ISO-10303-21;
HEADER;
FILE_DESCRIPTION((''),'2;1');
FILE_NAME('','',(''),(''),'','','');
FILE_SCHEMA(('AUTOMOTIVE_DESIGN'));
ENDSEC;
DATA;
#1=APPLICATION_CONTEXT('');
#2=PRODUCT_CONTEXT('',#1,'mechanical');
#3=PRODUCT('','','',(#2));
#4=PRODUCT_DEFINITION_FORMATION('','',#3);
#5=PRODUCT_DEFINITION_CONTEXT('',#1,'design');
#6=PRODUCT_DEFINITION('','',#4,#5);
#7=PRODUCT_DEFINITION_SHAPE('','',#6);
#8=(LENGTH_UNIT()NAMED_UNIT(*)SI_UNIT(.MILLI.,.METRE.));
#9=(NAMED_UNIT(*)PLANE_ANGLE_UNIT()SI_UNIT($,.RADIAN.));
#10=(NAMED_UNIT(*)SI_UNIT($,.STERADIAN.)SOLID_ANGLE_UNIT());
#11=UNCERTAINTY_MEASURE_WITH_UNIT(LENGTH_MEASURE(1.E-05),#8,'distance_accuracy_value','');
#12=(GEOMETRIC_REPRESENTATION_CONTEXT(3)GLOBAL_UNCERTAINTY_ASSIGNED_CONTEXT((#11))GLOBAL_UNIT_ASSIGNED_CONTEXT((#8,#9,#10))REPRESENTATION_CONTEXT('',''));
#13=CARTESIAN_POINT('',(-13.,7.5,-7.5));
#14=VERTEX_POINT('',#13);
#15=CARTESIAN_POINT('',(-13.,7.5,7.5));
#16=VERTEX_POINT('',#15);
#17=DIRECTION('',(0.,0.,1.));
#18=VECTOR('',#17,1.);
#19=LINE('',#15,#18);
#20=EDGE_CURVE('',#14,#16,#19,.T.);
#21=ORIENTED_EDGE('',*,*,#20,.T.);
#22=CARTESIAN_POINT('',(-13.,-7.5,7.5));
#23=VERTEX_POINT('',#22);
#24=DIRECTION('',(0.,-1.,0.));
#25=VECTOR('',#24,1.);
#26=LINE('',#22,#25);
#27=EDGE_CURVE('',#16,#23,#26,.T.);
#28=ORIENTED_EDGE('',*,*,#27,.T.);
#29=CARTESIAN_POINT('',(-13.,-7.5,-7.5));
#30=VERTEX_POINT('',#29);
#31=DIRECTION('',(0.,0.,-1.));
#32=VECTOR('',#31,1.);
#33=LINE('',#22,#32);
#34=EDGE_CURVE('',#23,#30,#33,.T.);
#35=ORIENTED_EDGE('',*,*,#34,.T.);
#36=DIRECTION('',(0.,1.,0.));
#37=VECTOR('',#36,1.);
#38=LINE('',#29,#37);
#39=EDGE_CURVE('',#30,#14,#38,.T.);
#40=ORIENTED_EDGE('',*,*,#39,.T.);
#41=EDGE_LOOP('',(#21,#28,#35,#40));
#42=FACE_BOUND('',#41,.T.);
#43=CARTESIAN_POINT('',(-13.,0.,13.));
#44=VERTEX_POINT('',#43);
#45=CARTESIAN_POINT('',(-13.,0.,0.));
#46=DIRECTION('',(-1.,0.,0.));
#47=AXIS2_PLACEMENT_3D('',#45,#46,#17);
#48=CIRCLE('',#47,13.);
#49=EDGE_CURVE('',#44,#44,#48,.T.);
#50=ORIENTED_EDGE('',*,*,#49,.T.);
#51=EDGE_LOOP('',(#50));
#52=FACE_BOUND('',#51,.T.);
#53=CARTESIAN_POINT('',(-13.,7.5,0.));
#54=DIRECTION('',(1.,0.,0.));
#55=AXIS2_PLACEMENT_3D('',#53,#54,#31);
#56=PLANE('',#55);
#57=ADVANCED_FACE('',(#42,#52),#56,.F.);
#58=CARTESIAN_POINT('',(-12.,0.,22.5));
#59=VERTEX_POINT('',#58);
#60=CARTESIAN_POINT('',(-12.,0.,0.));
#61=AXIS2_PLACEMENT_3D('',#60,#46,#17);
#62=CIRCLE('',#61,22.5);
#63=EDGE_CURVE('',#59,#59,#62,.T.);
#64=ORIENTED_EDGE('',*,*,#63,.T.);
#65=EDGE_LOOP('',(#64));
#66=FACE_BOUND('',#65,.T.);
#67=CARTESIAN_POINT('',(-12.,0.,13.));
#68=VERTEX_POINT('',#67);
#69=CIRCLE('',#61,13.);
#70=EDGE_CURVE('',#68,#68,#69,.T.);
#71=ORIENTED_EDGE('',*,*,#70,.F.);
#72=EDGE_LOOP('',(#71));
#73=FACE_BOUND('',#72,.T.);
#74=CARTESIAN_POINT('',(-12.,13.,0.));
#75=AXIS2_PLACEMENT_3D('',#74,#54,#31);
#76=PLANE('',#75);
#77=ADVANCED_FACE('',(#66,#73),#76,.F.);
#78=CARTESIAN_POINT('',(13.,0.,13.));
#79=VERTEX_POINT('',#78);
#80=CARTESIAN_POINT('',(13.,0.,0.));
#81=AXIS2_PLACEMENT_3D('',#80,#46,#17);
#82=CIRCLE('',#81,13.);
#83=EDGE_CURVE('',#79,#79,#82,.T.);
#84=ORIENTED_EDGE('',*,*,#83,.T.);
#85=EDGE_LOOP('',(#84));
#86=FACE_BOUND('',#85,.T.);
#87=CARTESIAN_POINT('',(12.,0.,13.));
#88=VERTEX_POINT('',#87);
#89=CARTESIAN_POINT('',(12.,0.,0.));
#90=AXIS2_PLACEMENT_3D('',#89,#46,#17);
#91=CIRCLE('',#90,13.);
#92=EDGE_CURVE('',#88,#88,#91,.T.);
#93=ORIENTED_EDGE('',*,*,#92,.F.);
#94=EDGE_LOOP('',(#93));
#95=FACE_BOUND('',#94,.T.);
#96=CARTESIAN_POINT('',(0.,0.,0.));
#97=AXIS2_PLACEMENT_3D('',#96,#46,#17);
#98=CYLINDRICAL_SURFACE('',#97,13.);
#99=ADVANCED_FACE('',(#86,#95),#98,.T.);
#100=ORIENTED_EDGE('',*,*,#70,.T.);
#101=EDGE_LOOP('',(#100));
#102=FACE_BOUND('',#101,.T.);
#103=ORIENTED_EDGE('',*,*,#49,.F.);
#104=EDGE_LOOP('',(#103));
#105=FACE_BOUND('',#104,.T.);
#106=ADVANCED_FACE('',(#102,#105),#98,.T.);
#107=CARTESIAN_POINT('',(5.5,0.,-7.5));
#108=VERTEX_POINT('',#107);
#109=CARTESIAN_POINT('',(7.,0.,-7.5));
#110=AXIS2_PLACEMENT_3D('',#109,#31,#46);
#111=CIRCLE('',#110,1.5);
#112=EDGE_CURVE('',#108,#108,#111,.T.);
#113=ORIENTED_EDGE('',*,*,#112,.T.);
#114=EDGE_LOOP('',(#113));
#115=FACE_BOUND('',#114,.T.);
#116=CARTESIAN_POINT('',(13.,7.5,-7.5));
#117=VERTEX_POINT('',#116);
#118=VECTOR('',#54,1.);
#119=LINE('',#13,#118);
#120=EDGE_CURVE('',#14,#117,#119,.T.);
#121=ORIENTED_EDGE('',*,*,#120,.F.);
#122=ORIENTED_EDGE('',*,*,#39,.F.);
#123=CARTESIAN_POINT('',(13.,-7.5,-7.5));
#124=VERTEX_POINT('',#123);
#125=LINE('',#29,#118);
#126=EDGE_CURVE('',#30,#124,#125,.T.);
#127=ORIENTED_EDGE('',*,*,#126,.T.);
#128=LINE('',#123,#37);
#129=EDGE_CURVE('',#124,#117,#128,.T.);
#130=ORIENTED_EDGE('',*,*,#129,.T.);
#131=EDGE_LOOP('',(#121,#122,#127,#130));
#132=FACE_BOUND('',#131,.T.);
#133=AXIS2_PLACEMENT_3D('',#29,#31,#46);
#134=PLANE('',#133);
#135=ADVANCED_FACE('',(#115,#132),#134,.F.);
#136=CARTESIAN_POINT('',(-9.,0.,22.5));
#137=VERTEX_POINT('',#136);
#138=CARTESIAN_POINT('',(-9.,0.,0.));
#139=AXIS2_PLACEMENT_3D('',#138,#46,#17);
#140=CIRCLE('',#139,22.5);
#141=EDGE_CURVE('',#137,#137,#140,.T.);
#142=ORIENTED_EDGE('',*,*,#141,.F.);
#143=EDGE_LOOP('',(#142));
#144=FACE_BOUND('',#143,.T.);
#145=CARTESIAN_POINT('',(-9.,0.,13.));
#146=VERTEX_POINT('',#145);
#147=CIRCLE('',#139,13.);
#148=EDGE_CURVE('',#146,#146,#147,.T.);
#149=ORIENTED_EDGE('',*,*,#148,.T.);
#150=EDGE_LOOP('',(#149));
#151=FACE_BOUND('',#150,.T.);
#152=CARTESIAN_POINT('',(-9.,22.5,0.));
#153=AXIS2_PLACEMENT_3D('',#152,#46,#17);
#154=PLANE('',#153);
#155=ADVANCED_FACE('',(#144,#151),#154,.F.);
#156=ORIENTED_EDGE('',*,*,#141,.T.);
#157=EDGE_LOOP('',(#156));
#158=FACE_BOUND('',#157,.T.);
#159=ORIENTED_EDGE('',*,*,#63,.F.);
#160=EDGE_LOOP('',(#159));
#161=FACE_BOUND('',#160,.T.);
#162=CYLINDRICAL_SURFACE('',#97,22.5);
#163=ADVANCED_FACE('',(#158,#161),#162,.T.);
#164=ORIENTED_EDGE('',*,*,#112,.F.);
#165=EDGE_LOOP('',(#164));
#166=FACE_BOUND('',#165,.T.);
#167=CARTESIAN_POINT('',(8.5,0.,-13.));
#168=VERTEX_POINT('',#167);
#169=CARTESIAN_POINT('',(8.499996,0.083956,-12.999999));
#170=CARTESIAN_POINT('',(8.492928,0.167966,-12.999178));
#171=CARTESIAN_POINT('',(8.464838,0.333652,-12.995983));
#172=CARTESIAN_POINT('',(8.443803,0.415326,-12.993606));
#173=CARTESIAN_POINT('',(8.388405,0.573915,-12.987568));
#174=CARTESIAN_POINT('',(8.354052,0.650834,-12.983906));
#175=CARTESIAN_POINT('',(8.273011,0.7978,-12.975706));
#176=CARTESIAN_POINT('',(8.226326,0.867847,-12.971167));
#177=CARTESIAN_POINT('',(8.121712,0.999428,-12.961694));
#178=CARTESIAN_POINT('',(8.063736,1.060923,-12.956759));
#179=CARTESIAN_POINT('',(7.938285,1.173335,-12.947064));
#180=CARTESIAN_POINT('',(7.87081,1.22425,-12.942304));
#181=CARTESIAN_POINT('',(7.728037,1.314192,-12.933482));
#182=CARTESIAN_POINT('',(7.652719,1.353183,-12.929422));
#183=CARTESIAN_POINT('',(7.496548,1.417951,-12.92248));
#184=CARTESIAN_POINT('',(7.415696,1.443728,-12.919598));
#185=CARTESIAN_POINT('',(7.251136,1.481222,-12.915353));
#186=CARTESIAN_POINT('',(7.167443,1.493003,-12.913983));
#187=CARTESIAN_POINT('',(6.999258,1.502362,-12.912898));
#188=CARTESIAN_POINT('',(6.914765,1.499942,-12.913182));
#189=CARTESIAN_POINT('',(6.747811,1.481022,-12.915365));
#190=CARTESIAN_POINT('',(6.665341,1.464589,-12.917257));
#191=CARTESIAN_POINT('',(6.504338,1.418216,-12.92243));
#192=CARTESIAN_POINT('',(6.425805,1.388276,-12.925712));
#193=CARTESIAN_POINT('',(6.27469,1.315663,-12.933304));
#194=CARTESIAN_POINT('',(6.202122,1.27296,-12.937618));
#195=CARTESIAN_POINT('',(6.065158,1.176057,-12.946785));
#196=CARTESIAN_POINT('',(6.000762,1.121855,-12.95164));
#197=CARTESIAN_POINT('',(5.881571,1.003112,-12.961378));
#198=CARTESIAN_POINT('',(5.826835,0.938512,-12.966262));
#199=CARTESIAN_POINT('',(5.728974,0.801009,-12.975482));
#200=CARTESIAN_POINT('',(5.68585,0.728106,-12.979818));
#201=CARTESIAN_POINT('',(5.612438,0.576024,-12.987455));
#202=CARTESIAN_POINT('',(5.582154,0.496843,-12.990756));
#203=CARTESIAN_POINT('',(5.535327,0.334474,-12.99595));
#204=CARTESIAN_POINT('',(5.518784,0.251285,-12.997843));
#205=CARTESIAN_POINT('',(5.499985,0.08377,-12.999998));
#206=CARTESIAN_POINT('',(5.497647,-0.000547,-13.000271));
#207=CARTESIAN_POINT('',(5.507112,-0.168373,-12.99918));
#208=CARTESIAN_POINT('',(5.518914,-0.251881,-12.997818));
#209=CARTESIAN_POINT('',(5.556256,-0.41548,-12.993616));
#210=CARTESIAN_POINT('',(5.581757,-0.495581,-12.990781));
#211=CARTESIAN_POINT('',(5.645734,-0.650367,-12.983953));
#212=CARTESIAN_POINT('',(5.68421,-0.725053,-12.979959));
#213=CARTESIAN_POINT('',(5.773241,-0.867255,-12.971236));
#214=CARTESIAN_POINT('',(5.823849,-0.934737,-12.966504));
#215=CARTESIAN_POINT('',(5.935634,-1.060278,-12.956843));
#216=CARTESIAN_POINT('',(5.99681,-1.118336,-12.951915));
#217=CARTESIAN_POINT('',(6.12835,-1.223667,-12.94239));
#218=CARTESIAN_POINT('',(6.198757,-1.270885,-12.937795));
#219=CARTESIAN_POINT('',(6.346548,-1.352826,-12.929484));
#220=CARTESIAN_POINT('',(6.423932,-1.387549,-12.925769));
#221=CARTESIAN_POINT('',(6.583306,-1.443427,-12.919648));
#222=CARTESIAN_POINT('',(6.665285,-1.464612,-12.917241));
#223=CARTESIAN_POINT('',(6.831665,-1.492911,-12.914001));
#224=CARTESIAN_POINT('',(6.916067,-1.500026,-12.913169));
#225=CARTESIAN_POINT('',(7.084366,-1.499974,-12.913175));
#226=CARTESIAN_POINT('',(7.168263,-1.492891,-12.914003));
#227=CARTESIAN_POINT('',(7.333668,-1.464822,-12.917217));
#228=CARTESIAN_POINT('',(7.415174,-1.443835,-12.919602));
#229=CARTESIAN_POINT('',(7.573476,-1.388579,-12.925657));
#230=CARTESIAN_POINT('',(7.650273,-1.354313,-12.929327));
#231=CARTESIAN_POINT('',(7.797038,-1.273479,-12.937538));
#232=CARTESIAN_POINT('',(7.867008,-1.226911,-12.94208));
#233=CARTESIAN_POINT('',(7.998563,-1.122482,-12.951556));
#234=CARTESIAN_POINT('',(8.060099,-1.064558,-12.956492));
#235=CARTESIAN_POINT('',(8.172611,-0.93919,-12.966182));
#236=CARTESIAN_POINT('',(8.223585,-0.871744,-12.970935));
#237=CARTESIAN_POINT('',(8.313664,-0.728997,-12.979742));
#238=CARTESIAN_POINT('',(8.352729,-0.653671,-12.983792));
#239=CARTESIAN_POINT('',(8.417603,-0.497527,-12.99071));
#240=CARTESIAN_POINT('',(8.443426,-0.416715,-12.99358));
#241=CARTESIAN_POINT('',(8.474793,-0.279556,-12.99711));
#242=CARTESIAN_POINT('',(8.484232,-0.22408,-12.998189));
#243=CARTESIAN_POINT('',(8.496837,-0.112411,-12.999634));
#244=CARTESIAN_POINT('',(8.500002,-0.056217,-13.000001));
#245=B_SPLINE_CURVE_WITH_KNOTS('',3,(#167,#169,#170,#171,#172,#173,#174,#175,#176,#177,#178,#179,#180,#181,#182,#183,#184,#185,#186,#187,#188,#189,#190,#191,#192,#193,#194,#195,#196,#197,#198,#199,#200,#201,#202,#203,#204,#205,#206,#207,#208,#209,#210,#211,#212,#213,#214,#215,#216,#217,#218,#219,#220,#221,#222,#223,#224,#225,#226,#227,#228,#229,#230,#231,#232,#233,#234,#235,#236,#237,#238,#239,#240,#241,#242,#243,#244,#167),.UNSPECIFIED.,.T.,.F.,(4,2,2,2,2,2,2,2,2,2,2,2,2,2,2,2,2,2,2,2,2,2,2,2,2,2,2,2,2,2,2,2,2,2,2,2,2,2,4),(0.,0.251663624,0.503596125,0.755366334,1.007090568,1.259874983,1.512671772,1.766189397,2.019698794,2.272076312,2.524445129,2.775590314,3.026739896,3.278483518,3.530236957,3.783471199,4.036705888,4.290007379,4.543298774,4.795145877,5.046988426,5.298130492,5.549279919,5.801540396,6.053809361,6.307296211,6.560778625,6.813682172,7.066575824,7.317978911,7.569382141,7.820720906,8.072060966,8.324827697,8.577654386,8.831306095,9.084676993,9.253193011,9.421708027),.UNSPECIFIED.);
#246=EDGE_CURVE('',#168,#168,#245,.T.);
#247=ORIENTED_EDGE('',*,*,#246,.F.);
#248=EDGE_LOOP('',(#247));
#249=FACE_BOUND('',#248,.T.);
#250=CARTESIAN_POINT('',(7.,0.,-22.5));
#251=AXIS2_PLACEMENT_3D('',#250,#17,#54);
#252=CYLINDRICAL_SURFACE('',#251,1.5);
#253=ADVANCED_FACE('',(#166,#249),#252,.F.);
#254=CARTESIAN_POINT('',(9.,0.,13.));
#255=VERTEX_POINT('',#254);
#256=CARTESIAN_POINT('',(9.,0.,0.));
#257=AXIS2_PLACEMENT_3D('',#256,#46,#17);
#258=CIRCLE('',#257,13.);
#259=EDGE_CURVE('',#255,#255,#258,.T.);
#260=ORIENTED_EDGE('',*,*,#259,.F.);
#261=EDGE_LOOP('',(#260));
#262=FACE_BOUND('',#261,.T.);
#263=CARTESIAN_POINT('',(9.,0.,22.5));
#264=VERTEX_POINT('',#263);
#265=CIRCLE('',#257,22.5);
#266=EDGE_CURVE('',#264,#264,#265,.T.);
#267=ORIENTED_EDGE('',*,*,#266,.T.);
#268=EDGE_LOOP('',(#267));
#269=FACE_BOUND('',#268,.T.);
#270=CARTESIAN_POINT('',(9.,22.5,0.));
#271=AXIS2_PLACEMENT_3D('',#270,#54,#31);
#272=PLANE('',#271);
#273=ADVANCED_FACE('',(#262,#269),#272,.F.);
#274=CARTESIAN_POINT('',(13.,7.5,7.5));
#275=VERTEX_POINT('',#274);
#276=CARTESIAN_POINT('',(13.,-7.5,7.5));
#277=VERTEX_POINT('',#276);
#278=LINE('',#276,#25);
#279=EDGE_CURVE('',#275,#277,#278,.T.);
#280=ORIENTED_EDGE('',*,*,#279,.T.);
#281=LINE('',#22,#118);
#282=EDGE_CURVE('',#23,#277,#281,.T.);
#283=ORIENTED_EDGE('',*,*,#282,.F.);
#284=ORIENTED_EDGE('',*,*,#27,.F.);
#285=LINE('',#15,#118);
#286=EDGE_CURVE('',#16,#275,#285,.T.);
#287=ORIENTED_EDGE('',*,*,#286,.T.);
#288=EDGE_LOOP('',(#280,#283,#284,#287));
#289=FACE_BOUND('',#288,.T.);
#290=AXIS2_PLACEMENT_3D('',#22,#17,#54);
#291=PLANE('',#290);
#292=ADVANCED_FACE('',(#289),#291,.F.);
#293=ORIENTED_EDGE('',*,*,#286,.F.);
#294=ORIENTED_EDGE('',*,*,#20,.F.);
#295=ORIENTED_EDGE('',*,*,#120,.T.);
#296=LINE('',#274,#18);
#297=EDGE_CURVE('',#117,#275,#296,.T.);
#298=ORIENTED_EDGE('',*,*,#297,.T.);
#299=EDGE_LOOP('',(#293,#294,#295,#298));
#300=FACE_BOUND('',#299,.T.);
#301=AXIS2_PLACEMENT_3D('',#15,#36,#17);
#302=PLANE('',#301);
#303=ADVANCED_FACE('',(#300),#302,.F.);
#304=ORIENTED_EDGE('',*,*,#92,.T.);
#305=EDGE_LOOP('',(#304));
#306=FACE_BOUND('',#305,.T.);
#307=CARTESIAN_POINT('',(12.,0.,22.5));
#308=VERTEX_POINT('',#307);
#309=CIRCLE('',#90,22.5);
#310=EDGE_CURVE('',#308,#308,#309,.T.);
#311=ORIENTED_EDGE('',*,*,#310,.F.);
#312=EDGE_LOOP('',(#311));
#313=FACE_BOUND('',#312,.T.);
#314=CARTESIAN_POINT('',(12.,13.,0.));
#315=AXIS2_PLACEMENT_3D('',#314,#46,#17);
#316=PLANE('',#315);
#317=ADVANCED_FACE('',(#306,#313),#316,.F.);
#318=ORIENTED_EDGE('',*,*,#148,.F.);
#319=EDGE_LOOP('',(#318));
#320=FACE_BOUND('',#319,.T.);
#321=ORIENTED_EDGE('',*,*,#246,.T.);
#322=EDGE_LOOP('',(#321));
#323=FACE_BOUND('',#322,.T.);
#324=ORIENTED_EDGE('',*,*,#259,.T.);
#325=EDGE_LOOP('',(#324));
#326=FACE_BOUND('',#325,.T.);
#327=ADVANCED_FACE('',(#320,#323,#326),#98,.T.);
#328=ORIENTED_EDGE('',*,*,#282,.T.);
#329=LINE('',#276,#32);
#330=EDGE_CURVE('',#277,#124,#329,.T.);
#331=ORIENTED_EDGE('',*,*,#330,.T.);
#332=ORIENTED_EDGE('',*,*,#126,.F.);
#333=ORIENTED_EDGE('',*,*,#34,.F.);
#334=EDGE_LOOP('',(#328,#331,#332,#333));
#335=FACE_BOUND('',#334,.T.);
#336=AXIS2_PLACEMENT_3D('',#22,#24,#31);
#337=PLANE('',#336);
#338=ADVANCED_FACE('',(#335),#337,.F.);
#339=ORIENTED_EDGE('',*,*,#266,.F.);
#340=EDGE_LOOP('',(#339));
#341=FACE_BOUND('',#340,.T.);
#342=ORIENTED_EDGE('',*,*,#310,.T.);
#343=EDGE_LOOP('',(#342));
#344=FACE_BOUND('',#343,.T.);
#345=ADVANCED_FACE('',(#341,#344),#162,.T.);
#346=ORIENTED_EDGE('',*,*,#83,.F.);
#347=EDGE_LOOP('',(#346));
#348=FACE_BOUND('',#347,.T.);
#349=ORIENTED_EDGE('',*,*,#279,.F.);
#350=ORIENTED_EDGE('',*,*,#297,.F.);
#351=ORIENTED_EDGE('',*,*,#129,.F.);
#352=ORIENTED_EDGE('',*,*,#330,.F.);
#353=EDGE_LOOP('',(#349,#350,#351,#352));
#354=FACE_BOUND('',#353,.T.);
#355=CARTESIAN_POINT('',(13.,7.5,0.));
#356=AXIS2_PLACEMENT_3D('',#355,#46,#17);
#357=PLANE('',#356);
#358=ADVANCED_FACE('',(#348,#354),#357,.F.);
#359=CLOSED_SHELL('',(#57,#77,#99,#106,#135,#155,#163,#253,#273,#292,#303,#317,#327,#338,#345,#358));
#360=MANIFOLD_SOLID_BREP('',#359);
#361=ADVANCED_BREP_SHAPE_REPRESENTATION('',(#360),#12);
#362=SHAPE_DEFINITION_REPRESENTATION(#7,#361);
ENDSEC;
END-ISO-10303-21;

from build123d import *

# Parameters (mm, degrees)
SKETCH2_W          = 15
SKETCH2_H          = 15
CUT_EXTRUDE1_DEPTH = 42.091361623
SKETCH3_R          = 1.5
CUT_EXTRUDE2_DEPTH = 35.372954485


with BuildPart() as part:
    # Sketch1 → Revolve1 (revolve)
    with BuildSketch(Plane.XY, mode=Mode.PRIVATE) as revolve1_sk:
        Polygon((-13, 7.5), (13, 7.5), (13, 13), (12, 13), (12, 22.5), (9, 22.5), (9, 13), (-9, 13), (-9, 22.5), (-12, 22.5), (-12, 13), (-13, 13), align=None)
    revolve(revolve1_sk.sketch.rotate(Axis((0, 0, 0), (1, 0, 0)), 90), axis=Axis((0, 0, 0), (1, 0, 0)))

    # Sketch2 → Cut-Extrude1 (cut, through all)
    with BuildSketch(Plane(origin=(13, 0, 0), x_dir=(0, 0, -1), z_dir=(1, 0, 0))):
        Rectangle(SKETCH2_W, SKETCH2_H)
    extrude(amount=-CUT_EXTRUDE1_DEPTH, mode=Mode.SUBTRACT)

    # Sketch3 → Cut-Extrude2 (cut, through all)
    with BuildSketch(Plane.XY):
        with Locations((7, 0)):
            Circle(SKETCH3_R)
    extrude(amount=-CUT_EXTRUDE2_DEPTH, mode=Mode.SUBTRACT)


solid = part.part
